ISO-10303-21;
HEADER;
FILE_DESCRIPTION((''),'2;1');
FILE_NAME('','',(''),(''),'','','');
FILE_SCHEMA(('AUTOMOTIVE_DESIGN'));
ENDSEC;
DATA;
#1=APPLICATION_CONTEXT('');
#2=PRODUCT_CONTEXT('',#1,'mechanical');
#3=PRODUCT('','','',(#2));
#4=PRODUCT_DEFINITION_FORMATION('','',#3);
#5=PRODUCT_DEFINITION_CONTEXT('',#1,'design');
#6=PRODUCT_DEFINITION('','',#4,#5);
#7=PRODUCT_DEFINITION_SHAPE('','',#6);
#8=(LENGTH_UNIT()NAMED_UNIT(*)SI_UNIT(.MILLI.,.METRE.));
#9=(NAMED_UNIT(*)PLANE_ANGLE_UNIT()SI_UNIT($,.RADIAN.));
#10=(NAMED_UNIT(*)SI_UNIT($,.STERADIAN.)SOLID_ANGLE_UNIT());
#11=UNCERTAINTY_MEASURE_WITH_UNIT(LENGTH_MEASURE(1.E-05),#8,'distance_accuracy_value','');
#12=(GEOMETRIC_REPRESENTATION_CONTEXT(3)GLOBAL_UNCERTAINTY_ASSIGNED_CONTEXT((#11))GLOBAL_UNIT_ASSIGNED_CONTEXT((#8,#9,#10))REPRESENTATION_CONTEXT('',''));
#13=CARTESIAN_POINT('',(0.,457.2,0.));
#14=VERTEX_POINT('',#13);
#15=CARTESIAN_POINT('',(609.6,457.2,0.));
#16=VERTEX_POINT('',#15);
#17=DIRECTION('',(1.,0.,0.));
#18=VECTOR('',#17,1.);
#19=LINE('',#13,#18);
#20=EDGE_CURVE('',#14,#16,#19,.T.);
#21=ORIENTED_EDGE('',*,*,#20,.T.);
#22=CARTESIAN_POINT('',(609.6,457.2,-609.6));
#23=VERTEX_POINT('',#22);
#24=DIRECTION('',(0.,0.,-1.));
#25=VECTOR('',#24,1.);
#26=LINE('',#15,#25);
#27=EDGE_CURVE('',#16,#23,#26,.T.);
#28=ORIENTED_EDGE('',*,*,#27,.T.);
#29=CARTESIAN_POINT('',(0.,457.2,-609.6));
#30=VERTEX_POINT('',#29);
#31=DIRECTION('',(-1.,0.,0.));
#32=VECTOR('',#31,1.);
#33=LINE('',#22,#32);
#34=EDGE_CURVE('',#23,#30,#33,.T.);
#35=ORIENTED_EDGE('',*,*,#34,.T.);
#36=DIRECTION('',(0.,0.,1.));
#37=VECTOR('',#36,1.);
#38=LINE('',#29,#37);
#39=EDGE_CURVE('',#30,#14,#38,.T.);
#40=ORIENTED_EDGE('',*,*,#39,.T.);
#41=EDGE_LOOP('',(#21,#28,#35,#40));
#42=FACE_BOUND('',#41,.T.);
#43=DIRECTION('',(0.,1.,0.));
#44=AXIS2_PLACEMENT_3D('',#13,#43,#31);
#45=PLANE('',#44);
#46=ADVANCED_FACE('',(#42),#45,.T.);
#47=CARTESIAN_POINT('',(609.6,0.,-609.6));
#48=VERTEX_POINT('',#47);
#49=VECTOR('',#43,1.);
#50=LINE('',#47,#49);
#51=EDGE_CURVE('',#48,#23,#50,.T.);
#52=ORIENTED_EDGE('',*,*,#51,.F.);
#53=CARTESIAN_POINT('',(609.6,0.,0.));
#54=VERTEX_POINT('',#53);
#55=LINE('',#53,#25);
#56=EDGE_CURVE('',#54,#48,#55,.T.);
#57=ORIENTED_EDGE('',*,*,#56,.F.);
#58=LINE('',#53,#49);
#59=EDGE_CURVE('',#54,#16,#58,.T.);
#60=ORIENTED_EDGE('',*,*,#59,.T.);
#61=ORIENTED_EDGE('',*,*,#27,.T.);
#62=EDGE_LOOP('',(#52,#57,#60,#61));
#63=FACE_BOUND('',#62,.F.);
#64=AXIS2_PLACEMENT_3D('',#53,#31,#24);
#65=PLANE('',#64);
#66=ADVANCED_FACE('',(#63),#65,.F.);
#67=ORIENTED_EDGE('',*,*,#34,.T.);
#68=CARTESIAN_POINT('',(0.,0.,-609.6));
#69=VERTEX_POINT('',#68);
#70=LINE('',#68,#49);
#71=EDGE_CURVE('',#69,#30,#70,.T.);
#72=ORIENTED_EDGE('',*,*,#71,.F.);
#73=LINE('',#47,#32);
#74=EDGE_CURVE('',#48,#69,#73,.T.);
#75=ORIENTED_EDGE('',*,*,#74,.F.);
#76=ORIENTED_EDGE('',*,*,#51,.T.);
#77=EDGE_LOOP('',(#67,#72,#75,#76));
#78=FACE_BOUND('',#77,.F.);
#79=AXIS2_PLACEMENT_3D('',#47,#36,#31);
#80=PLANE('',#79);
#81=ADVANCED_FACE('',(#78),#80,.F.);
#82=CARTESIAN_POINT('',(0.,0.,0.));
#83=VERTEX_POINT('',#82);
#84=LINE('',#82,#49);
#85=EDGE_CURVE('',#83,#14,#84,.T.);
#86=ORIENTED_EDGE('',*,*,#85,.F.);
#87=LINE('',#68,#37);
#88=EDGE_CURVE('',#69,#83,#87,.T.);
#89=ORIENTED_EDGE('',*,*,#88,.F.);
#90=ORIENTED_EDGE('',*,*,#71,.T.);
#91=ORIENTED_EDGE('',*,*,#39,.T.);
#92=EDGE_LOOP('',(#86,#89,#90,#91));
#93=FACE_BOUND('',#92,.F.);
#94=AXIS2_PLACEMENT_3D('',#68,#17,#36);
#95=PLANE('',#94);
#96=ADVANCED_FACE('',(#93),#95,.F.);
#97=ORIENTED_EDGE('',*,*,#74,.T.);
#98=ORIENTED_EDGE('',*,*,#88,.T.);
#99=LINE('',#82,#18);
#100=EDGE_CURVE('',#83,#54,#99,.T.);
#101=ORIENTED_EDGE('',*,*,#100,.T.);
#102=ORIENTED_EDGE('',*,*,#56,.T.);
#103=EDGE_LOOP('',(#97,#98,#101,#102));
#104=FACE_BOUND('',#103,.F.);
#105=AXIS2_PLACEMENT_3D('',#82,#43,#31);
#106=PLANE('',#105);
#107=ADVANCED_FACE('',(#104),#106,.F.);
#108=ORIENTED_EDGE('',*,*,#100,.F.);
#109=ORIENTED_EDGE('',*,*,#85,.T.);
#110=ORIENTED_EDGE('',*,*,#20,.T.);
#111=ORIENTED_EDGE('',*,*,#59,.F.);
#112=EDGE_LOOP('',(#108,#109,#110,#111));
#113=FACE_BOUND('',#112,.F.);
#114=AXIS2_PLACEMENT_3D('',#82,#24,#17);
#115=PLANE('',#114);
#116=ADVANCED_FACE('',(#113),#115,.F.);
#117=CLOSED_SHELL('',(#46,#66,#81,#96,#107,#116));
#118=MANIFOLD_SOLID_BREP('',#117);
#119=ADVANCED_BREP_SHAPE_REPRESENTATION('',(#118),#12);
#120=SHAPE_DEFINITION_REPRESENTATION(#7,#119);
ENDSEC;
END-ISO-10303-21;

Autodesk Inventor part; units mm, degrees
ref_plane "YZ Plane" through (0, 0, 0) normal (1, 0, 0) x (0, 1, 0)
ref_plane "XZ Plane" through (0, 0, 0) normal (0, 1, 0) x (-1, 0, 0)
ref_plane "XY Plane" through (0, 0, 0) normal (0, 0, 1) x (1, 0, 0)
sketch "Sketch1" plane through (0, 0, 0) normal (0, 1, 0) x (-1, 0, 0)
  line L0 (0, 0) -> (-609.6, 0)
  line L1 (-609.6, 0) -> (-609.6, -609.6)
  line L2 (-609.6, -609.6) -> (0, -609.6)
  line L3 (0, -609.6) -> (0, 0)
  dimension "d0" = 609.6
  dimension "d1" = 609.6
extrude "Extrusion1" add sketch "Sketch1" along normal blind 457.2
properties part number "Seat block - 5" material "Granite, Cut, Polished"
